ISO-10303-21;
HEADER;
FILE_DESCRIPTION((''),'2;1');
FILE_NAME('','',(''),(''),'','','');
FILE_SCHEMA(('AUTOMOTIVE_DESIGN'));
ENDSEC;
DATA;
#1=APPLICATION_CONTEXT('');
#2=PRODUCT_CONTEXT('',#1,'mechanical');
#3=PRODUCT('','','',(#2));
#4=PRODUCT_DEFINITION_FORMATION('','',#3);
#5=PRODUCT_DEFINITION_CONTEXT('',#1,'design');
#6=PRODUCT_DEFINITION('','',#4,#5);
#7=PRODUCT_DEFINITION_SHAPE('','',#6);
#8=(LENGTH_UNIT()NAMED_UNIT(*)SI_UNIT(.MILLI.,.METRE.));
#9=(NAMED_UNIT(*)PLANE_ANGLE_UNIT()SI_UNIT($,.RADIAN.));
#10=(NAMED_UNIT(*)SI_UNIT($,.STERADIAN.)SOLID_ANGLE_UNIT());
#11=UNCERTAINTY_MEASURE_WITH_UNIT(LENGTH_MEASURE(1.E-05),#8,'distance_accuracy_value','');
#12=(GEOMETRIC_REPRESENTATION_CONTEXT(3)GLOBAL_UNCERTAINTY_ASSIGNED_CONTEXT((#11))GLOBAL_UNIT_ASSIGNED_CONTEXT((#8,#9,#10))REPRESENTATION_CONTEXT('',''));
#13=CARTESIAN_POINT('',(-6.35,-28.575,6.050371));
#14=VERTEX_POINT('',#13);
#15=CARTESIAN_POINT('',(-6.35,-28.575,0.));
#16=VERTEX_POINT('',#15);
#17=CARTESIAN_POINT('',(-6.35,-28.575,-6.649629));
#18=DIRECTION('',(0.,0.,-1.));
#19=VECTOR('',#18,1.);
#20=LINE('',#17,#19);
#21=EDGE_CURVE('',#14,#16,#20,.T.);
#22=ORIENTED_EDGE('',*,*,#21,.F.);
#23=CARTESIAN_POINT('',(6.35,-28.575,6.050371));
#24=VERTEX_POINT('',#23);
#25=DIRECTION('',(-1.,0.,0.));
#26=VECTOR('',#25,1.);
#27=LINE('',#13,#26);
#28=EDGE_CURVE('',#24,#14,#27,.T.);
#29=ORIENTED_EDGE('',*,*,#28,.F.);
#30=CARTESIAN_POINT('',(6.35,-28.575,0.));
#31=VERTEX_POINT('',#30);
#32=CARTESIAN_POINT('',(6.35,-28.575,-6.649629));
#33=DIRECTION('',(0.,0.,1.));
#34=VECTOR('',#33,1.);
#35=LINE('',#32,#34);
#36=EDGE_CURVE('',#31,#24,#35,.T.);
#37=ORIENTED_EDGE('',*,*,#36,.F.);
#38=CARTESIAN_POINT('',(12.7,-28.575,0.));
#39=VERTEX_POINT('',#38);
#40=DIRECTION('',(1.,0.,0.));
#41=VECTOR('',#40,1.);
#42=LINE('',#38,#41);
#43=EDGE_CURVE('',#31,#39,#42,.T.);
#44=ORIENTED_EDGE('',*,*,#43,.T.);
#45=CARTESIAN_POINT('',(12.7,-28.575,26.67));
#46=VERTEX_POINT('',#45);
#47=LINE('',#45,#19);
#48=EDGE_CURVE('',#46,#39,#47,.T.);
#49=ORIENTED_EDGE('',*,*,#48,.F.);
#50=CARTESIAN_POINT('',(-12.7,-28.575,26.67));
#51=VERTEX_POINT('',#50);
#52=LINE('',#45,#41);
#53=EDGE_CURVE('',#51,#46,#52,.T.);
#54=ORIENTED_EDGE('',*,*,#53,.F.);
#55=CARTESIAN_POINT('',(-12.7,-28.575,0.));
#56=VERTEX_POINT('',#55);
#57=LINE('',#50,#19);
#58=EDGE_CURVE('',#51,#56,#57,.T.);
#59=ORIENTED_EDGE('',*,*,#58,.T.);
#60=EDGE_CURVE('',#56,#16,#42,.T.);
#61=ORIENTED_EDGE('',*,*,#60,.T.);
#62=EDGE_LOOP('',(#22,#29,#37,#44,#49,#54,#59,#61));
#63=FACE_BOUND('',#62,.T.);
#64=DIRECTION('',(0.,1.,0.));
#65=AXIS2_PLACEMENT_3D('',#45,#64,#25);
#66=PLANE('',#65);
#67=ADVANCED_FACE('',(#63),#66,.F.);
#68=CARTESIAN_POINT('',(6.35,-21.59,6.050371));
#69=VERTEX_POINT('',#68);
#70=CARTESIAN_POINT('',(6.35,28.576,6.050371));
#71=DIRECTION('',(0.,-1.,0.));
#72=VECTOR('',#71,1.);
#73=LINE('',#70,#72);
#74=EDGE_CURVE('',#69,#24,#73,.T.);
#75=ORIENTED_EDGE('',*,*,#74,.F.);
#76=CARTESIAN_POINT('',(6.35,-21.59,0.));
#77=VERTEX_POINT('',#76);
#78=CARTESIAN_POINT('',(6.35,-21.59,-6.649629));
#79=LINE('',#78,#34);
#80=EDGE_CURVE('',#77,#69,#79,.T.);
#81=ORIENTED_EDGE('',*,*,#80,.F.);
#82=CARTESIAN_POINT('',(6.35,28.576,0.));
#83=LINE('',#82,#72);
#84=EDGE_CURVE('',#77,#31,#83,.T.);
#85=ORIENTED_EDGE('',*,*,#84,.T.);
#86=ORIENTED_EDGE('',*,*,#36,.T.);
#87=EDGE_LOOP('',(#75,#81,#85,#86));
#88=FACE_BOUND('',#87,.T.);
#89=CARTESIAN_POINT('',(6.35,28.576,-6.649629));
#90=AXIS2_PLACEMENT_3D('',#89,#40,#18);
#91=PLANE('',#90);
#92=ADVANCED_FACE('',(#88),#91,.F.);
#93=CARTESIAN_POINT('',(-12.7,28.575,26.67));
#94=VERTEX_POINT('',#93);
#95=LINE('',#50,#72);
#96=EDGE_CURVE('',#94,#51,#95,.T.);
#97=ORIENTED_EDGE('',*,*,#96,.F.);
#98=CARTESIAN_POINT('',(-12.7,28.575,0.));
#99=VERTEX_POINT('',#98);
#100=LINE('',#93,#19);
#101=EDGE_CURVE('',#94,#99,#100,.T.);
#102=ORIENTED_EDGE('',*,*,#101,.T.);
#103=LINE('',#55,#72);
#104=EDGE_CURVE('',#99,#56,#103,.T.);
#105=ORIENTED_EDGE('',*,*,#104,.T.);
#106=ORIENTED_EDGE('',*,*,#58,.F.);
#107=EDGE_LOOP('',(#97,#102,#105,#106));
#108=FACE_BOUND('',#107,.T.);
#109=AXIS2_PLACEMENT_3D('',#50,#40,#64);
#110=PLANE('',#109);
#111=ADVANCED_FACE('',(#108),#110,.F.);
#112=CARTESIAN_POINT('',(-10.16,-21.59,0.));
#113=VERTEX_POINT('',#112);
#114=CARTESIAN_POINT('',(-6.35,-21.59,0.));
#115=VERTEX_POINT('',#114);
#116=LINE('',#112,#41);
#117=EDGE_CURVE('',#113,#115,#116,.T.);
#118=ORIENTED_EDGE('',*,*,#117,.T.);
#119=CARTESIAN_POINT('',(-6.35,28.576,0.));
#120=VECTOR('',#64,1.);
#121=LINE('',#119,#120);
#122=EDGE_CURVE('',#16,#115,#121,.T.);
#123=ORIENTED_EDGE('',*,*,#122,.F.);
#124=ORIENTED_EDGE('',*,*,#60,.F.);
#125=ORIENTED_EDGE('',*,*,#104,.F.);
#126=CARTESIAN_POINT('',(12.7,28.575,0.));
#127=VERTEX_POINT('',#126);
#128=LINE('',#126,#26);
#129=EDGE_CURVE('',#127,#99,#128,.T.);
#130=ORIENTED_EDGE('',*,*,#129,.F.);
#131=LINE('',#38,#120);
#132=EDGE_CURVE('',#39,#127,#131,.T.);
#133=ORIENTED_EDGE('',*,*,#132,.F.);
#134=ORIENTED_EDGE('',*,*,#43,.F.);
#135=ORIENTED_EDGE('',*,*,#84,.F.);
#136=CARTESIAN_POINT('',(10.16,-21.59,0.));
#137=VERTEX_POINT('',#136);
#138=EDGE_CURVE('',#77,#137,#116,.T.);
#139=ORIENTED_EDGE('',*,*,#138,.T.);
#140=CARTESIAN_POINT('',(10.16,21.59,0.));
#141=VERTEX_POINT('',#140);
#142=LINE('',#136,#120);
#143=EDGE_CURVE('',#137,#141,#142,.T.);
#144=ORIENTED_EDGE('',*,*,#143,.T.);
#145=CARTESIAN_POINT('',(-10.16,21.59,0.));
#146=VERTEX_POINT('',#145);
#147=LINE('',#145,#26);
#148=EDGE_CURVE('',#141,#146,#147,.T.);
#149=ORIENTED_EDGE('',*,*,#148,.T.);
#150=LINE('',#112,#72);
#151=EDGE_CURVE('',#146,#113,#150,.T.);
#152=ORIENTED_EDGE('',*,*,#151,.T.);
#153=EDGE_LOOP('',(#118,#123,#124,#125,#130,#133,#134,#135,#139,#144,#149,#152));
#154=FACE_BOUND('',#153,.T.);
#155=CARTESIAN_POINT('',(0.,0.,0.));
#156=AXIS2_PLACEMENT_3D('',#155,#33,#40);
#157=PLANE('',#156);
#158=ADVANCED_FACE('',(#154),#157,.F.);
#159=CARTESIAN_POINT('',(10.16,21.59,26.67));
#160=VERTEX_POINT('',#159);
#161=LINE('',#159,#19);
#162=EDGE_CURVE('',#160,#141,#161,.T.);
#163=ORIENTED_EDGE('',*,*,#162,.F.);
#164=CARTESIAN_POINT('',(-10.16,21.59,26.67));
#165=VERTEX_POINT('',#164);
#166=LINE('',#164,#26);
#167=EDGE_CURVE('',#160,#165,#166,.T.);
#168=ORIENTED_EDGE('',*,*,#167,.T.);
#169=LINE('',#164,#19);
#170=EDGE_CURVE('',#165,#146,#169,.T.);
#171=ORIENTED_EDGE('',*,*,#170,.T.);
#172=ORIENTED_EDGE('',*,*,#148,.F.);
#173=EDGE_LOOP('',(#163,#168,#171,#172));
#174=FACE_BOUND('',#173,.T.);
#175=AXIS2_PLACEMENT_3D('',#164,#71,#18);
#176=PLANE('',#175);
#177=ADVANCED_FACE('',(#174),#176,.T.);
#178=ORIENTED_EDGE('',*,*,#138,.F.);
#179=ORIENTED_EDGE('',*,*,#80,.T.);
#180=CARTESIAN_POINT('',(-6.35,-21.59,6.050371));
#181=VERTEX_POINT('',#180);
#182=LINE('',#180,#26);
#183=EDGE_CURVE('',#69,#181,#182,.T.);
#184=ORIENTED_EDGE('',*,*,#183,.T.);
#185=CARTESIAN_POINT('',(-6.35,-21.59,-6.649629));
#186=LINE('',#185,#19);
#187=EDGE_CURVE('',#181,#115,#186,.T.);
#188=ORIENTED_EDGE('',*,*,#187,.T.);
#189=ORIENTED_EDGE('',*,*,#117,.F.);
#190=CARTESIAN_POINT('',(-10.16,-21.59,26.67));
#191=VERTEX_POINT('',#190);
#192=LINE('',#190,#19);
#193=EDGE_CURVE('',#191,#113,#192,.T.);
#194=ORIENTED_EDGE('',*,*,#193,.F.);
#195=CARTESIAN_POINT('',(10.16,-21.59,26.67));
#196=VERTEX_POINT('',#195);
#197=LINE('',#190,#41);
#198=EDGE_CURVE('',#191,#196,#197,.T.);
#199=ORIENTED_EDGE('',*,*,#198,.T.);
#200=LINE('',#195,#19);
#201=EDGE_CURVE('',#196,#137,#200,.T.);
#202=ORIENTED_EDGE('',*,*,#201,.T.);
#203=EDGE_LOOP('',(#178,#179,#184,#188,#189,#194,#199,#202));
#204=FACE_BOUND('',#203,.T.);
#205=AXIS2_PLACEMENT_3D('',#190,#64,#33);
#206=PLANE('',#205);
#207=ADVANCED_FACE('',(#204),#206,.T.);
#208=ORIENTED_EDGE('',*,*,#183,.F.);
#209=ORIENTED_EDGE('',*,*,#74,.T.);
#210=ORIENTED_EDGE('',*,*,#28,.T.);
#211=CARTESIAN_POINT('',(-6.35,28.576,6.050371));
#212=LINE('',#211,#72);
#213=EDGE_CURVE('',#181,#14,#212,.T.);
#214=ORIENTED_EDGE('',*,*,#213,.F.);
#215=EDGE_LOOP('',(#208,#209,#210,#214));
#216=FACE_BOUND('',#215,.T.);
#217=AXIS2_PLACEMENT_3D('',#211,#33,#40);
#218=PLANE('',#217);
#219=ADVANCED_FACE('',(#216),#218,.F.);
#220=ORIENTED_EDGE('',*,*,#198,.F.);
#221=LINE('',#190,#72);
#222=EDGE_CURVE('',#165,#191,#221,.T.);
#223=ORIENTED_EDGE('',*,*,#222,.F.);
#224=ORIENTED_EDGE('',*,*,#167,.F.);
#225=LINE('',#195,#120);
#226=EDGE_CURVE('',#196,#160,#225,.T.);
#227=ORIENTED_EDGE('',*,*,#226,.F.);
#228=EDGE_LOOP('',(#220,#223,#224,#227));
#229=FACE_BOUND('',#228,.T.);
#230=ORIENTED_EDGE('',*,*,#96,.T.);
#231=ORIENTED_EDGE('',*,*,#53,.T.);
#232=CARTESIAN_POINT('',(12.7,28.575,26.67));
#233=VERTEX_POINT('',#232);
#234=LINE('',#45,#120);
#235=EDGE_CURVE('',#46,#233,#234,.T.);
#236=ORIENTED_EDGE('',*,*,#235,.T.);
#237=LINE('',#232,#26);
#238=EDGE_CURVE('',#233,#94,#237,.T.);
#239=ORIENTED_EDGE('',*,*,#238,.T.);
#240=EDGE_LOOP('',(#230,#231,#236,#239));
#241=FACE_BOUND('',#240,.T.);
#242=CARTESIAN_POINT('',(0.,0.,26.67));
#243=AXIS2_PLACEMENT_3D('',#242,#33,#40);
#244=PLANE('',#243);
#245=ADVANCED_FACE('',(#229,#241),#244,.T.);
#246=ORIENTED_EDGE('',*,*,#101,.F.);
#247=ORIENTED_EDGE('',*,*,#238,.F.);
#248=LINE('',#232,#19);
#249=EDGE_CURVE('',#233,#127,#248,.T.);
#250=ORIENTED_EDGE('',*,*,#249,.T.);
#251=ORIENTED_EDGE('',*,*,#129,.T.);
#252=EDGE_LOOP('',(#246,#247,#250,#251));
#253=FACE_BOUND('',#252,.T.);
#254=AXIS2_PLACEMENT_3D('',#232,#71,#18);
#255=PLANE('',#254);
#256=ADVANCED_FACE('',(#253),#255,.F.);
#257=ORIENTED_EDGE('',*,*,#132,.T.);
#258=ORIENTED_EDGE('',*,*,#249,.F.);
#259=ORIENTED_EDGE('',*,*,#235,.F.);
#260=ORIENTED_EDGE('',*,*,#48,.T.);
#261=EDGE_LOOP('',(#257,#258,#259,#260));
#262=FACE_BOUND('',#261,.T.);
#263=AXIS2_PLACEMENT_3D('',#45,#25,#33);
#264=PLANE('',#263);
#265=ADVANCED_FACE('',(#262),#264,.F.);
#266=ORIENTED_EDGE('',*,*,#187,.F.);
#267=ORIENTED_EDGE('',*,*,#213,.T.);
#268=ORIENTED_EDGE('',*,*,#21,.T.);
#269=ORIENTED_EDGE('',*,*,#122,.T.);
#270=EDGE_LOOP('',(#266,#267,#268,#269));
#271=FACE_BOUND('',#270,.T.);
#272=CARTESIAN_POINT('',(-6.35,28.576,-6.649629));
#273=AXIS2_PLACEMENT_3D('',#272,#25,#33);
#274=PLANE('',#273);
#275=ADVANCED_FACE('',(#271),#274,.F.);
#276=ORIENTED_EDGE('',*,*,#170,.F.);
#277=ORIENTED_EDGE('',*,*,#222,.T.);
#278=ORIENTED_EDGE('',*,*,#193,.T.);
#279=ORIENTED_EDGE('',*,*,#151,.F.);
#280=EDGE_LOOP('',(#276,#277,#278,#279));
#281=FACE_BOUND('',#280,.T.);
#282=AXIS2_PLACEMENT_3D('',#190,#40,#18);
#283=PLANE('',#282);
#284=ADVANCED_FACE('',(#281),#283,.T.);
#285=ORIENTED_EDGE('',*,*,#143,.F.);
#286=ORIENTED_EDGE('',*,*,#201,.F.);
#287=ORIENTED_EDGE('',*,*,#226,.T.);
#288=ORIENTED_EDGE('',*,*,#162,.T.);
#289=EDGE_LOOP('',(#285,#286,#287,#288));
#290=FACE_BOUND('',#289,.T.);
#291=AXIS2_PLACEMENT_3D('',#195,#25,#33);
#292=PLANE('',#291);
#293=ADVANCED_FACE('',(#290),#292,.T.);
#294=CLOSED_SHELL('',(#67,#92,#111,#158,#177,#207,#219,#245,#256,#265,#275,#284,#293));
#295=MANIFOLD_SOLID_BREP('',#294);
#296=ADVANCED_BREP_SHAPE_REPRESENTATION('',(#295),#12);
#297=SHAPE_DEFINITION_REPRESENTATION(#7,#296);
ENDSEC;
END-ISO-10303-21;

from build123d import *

# Parameters (mm, degrees)
SKETCH2_W           = 25.4
SKETCH2_H           = 57.15
SKETCH2_W_2         = 20.32
SKETCH2_H_2         = 43.18
BOSS_EXTRUDE2_DEPTH = 26.67
CUT_EXTRUDE1_REACH  = 59.15
SKETCH3_W           = 12.7
SKETCH3_H           = 12.7


with BuildPart() as part:
    # Sketch2 → Boss-Extrude2 (new body)
    with BuildSketch(Plane.XY):
        Rectangle(SKETCH2_W, SKETCH2_H)
        Rectangle(SKETCH2_W_2, SKETCH2_H_2, mode=Mode.SUBTRACT)
    extrude(amount=BOSS_EXTRUDE2_DEPTH)

    # Sketch3 → Cut-Extrude1 (cut, up to next)
    with BuildSketch(Plane.XZ.offset(28.575), mode=Mode.PRIVATE) as cut_extrude1_sk1:
        with Locations((0, -0.299628978)):
            Rectangle(SKETCH3_W, SKETCH3_H)
    cut_extrude1_tool1 = extrude(cut_extrude1_sk1.sketch, amount=-CUT_EXTRUDE1_REACH, mode=Mode.PRIVATE) & part.part
    add(cut_extrude1_tool1.solids().sort_by_distance((0, -28.575, -0.299629))[0], mode=Mode.SUBTRACT)


solid = part.part
